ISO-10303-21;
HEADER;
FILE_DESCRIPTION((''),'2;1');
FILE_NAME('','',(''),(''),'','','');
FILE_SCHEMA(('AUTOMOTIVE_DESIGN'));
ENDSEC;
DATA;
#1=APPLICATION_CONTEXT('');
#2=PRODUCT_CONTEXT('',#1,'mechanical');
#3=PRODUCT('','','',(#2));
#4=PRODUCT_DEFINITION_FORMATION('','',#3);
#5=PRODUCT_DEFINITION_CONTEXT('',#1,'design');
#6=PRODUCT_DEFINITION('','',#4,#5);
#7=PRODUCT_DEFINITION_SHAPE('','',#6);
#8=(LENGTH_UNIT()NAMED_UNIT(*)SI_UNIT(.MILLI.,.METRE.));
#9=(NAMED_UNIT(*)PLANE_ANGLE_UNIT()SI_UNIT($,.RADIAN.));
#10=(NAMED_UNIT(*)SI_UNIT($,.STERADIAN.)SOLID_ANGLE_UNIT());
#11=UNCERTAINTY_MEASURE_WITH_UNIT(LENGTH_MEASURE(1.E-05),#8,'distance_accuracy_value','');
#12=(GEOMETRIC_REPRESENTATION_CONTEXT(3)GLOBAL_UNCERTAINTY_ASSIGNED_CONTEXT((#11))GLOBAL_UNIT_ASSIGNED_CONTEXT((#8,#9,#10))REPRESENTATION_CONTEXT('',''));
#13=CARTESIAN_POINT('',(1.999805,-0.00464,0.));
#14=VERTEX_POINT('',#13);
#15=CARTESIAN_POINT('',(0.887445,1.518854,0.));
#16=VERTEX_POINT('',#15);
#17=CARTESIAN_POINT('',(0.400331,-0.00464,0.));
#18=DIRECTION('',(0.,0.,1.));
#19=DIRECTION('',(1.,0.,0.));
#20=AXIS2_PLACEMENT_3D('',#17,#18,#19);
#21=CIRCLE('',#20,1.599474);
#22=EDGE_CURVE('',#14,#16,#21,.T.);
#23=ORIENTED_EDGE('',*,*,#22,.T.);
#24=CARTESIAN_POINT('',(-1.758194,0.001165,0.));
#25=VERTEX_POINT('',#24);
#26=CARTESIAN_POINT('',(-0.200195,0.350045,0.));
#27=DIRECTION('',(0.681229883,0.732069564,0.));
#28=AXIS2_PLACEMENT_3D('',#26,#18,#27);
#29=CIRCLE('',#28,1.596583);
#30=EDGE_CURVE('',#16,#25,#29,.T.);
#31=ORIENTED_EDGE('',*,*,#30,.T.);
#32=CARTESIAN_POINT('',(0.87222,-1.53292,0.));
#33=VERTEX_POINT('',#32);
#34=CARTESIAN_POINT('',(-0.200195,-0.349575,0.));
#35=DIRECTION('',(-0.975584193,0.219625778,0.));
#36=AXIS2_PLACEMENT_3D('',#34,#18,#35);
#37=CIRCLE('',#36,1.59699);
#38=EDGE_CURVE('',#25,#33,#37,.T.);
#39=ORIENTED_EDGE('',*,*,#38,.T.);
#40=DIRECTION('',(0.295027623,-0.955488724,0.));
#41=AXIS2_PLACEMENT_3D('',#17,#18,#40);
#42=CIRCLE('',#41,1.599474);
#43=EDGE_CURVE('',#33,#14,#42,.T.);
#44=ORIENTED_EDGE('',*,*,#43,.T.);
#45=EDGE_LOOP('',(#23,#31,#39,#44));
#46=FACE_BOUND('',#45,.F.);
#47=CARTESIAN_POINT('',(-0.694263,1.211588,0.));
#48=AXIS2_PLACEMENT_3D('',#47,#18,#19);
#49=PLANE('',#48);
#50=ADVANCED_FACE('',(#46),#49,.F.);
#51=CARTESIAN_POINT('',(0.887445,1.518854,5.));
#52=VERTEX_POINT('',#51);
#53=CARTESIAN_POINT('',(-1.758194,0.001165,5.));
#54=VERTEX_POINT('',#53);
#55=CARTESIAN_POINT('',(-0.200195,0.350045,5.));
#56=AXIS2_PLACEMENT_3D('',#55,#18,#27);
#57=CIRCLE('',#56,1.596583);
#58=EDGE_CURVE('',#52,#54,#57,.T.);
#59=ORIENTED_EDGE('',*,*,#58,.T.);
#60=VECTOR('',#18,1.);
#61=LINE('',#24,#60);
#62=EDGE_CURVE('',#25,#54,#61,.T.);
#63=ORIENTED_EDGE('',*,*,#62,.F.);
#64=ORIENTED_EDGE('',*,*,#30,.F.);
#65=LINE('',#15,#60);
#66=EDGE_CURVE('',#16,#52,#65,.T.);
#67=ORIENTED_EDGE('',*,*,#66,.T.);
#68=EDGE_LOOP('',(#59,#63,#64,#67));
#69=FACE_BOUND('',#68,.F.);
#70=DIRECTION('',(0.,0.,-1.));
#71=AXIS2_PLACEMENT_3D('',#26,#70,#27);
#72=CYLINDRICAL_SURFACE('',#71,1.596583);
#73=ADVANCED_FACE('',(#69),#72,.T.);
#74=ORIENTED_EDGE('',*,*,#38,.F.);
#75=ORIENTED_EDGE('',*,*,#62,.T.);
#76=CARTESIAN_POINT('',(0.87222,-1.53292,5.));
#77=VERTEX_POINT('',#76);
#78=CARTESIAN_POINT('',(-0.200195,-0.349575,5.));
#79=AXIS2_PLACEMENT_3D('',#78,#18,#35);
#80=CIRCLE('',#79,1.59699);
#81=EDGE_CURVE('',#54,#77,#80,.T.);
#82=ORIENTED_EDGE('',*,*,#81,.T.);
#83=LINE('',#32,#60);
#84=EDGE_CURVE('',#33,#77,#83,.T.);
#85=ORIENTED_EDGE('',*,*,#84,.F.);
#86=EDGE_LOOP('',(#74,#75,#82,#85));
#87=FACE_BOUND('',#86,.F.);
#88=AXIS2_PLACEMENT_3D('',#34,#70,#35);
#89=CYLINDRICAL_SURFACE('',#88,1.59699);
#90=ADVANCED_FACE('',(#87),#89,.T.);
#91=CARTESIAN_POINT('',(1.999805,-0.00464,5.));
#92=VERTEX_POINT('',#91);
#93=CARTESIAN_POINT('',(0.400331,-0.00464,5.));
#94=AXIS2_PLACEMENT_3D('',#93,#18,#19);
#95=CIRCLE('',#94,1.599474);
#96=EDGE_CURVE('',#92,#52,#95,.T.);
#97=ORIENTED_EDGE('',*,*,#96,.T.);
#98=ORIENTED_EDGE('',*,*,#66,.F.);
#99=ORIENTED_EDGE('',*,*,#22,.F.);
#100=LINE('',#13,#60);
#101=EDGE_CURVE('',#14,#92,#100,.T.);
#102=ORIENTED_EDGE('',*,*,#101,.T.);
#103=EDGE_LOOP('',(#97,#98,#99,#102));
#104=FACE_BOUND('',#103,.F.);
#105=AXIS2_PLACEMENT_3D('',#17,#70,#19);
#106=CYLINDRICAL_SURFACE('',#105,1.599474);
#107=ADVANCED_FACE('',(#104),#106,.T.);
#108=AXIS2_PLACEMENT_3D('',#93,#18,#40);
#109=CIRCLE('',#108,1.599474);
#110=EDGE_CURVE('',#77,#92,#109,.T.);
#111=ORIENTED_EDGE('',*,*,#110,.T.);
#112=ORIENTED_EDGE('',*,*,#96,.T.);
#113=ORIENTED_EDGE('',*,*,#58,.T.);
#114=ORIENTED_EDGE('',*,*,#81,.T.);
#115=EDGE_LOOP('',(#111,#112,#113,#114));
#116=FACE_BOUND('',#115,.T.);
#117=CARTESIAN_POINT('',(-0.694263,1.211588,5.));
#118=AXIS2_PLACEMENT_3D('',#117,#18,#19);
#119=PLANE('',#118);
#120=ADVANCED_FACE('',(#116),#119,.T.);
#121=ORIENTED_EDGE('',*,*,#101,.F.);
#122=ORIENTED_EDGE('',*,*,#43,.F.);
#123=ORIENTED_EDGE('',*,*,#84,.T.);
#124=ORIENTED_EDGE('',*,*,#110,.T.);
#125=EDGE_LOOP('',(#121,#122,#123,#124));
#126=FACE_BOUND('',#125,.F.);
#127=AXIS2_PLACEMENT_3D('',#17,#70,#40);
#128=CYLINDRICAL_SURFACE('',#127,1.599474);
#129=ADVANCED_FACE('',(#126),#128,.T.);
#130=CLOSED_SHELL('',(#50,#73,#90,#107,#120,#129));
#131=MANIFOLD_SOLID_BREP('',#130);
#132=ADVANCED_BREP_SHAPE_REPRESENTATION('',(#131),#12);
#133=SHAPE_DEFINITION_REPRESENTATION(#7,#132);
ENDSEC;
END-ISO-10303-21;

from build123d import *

# Parameters (mm, degrees)
F1_DEPTH = 5


with BuildPart() as f1:
    # F0 (on Top) → F1 (new body)
    with BuildSketch(Plane.XY):
        with BuildLine():
            ThreePointArc((-0.6820238036, 1.1729948321), (0.0561177293, 1.557356252), (0.8874445186, 1.5188543916))
            ThreePointArc((0.8874445186, 1.5188543916), (-0.9946476823, 1.7349353333), (-1.7581938413, 0.0011650806))
            ThreePointArc((-1.7581938413, 0.0011650806), (-1.3764265049, 0.7306369927), (-0.6820238036, 1.1729948321))
        make_face()
        with BuildLine():
            ThreePointArc((0.8722197227, -1.5329195634), (1.687399205, -0.9542567506), (1.9998045321, -0.004640433))
            ThreePointArc((1.9998045321, -0.004640433), (1.6921206086, 0.9385431759), (0.8874445186, 1.5188543916))
            ThreePointArc((0.8874445186, 1.5188543916), (1.2636324121, 0.9874494272), (1.3963873776, 0.3500447783))
            ThreePointArc((1.3963873776, 0.3500447783), (1.386712007, 0.1745413701), (1.3578031615, 0.0011650806))
            ThreePointArc((1.3578031615, 0.0011650806), (1.3870170835, -0.1731246866), (1.3967949688, -0.3495751589))
            ThreePointArc((1.3967949688, -0.3495751589), (1.2597728974, -0.9967774396), (0.8722197227, -1.5329195634))
        make_face()
        with BuildLine():
            ThreePointArc((-1.7581938413, 0.0011650806), (-1.0047459863, -1.7290954753), (0.8722197227, -1.5329195634))
            ThreePointArc((0.8722197227, -1.5329195634), (0.0372073045, -1.5623495231), (-0.6987161891, -1.1667127292))
            ThreePointArc((-0.6987161891, -1.1667127292), (-1.3826937985, -0.7226964623), (-1.7581938413, 0.0011650806))
        make_face()
        with BuildLine():
            ThreePointArc((1.3963873776, 0.3500447783), (1.2636324121, 0.9874494272), (0.8874445186, 1.5188543916))
            ThreePointArc((0.8874445186, 1.5188543916), (0.0561177293, 1.557356252), (-0.6820238036, 1.1729948321))
            ThreePointArc((-0.6820238036, 1.1729948321), (0.5953118751, 1.0351798075), (1.3578031615, 0.0011650806))
            ThreePointArc((1.3578031615, 0.0011650806), (1.386712007, 0.1745413701), (1.3963873776, 0.3500447783))
        make_face()
        with BuildLine():
            ThreePointArc((1.3578031615, 0.0011650806), (0.5953118751, 1.0351798075), (-0.6820238036, 1.1729948321))
            ThreePointArc((-0.6820238036, 1.1729948321), (-1.1991022594, 0.0067705457), (-0.6987161891, -1.1667127292))
            ThreePointArc((-0.6987161891, -1.1667127292), (0.588225784, -1.0382882168), (1.3578031615, 0.0011650806))
        make_face()
        with BuildLine():
            ThreePointArc((-0.6987161891, -1.1667127292), (-1.1991022594, 0.0067705457), (-0.6820238036, 1.1729948321))
            ThreePointArc((-0.6820238036, 1.1729948321), (-1.3764265049, 0.7306369927), (-1.7581938413, 0.0011650806))
            ThreePointArc((-1.7581938413, 0.0011650806), (-1.3826937985, -0.7226964623), (-0.6987161891, -1.1667127292))
        make_face()
        with BuildLine():
            ThreePointArc((-0.6987161891, -1.1667127292), (0.0372073045, -1.5623495231), (0.8722197227, -1.5329195634))
            ThreePointArc((0.8722197227, -1.5329195634), (1.2597728974, -0.9967774396), (1.3967949688, -0.3495751589))
            ThreePointArc((1.3967949688, -0.3495751589), (1.3870170835, -0.1731246866), (1.3578031615, 0.0011650806))
            ThreePointArc((1.3578031615, 0.0011650806), (0.588225784, -1.0382882168), (-0.6987161891, -1.1667127292))
        make_face()
    extrude(amount=F1_DEPTH)


solid = f1.part
